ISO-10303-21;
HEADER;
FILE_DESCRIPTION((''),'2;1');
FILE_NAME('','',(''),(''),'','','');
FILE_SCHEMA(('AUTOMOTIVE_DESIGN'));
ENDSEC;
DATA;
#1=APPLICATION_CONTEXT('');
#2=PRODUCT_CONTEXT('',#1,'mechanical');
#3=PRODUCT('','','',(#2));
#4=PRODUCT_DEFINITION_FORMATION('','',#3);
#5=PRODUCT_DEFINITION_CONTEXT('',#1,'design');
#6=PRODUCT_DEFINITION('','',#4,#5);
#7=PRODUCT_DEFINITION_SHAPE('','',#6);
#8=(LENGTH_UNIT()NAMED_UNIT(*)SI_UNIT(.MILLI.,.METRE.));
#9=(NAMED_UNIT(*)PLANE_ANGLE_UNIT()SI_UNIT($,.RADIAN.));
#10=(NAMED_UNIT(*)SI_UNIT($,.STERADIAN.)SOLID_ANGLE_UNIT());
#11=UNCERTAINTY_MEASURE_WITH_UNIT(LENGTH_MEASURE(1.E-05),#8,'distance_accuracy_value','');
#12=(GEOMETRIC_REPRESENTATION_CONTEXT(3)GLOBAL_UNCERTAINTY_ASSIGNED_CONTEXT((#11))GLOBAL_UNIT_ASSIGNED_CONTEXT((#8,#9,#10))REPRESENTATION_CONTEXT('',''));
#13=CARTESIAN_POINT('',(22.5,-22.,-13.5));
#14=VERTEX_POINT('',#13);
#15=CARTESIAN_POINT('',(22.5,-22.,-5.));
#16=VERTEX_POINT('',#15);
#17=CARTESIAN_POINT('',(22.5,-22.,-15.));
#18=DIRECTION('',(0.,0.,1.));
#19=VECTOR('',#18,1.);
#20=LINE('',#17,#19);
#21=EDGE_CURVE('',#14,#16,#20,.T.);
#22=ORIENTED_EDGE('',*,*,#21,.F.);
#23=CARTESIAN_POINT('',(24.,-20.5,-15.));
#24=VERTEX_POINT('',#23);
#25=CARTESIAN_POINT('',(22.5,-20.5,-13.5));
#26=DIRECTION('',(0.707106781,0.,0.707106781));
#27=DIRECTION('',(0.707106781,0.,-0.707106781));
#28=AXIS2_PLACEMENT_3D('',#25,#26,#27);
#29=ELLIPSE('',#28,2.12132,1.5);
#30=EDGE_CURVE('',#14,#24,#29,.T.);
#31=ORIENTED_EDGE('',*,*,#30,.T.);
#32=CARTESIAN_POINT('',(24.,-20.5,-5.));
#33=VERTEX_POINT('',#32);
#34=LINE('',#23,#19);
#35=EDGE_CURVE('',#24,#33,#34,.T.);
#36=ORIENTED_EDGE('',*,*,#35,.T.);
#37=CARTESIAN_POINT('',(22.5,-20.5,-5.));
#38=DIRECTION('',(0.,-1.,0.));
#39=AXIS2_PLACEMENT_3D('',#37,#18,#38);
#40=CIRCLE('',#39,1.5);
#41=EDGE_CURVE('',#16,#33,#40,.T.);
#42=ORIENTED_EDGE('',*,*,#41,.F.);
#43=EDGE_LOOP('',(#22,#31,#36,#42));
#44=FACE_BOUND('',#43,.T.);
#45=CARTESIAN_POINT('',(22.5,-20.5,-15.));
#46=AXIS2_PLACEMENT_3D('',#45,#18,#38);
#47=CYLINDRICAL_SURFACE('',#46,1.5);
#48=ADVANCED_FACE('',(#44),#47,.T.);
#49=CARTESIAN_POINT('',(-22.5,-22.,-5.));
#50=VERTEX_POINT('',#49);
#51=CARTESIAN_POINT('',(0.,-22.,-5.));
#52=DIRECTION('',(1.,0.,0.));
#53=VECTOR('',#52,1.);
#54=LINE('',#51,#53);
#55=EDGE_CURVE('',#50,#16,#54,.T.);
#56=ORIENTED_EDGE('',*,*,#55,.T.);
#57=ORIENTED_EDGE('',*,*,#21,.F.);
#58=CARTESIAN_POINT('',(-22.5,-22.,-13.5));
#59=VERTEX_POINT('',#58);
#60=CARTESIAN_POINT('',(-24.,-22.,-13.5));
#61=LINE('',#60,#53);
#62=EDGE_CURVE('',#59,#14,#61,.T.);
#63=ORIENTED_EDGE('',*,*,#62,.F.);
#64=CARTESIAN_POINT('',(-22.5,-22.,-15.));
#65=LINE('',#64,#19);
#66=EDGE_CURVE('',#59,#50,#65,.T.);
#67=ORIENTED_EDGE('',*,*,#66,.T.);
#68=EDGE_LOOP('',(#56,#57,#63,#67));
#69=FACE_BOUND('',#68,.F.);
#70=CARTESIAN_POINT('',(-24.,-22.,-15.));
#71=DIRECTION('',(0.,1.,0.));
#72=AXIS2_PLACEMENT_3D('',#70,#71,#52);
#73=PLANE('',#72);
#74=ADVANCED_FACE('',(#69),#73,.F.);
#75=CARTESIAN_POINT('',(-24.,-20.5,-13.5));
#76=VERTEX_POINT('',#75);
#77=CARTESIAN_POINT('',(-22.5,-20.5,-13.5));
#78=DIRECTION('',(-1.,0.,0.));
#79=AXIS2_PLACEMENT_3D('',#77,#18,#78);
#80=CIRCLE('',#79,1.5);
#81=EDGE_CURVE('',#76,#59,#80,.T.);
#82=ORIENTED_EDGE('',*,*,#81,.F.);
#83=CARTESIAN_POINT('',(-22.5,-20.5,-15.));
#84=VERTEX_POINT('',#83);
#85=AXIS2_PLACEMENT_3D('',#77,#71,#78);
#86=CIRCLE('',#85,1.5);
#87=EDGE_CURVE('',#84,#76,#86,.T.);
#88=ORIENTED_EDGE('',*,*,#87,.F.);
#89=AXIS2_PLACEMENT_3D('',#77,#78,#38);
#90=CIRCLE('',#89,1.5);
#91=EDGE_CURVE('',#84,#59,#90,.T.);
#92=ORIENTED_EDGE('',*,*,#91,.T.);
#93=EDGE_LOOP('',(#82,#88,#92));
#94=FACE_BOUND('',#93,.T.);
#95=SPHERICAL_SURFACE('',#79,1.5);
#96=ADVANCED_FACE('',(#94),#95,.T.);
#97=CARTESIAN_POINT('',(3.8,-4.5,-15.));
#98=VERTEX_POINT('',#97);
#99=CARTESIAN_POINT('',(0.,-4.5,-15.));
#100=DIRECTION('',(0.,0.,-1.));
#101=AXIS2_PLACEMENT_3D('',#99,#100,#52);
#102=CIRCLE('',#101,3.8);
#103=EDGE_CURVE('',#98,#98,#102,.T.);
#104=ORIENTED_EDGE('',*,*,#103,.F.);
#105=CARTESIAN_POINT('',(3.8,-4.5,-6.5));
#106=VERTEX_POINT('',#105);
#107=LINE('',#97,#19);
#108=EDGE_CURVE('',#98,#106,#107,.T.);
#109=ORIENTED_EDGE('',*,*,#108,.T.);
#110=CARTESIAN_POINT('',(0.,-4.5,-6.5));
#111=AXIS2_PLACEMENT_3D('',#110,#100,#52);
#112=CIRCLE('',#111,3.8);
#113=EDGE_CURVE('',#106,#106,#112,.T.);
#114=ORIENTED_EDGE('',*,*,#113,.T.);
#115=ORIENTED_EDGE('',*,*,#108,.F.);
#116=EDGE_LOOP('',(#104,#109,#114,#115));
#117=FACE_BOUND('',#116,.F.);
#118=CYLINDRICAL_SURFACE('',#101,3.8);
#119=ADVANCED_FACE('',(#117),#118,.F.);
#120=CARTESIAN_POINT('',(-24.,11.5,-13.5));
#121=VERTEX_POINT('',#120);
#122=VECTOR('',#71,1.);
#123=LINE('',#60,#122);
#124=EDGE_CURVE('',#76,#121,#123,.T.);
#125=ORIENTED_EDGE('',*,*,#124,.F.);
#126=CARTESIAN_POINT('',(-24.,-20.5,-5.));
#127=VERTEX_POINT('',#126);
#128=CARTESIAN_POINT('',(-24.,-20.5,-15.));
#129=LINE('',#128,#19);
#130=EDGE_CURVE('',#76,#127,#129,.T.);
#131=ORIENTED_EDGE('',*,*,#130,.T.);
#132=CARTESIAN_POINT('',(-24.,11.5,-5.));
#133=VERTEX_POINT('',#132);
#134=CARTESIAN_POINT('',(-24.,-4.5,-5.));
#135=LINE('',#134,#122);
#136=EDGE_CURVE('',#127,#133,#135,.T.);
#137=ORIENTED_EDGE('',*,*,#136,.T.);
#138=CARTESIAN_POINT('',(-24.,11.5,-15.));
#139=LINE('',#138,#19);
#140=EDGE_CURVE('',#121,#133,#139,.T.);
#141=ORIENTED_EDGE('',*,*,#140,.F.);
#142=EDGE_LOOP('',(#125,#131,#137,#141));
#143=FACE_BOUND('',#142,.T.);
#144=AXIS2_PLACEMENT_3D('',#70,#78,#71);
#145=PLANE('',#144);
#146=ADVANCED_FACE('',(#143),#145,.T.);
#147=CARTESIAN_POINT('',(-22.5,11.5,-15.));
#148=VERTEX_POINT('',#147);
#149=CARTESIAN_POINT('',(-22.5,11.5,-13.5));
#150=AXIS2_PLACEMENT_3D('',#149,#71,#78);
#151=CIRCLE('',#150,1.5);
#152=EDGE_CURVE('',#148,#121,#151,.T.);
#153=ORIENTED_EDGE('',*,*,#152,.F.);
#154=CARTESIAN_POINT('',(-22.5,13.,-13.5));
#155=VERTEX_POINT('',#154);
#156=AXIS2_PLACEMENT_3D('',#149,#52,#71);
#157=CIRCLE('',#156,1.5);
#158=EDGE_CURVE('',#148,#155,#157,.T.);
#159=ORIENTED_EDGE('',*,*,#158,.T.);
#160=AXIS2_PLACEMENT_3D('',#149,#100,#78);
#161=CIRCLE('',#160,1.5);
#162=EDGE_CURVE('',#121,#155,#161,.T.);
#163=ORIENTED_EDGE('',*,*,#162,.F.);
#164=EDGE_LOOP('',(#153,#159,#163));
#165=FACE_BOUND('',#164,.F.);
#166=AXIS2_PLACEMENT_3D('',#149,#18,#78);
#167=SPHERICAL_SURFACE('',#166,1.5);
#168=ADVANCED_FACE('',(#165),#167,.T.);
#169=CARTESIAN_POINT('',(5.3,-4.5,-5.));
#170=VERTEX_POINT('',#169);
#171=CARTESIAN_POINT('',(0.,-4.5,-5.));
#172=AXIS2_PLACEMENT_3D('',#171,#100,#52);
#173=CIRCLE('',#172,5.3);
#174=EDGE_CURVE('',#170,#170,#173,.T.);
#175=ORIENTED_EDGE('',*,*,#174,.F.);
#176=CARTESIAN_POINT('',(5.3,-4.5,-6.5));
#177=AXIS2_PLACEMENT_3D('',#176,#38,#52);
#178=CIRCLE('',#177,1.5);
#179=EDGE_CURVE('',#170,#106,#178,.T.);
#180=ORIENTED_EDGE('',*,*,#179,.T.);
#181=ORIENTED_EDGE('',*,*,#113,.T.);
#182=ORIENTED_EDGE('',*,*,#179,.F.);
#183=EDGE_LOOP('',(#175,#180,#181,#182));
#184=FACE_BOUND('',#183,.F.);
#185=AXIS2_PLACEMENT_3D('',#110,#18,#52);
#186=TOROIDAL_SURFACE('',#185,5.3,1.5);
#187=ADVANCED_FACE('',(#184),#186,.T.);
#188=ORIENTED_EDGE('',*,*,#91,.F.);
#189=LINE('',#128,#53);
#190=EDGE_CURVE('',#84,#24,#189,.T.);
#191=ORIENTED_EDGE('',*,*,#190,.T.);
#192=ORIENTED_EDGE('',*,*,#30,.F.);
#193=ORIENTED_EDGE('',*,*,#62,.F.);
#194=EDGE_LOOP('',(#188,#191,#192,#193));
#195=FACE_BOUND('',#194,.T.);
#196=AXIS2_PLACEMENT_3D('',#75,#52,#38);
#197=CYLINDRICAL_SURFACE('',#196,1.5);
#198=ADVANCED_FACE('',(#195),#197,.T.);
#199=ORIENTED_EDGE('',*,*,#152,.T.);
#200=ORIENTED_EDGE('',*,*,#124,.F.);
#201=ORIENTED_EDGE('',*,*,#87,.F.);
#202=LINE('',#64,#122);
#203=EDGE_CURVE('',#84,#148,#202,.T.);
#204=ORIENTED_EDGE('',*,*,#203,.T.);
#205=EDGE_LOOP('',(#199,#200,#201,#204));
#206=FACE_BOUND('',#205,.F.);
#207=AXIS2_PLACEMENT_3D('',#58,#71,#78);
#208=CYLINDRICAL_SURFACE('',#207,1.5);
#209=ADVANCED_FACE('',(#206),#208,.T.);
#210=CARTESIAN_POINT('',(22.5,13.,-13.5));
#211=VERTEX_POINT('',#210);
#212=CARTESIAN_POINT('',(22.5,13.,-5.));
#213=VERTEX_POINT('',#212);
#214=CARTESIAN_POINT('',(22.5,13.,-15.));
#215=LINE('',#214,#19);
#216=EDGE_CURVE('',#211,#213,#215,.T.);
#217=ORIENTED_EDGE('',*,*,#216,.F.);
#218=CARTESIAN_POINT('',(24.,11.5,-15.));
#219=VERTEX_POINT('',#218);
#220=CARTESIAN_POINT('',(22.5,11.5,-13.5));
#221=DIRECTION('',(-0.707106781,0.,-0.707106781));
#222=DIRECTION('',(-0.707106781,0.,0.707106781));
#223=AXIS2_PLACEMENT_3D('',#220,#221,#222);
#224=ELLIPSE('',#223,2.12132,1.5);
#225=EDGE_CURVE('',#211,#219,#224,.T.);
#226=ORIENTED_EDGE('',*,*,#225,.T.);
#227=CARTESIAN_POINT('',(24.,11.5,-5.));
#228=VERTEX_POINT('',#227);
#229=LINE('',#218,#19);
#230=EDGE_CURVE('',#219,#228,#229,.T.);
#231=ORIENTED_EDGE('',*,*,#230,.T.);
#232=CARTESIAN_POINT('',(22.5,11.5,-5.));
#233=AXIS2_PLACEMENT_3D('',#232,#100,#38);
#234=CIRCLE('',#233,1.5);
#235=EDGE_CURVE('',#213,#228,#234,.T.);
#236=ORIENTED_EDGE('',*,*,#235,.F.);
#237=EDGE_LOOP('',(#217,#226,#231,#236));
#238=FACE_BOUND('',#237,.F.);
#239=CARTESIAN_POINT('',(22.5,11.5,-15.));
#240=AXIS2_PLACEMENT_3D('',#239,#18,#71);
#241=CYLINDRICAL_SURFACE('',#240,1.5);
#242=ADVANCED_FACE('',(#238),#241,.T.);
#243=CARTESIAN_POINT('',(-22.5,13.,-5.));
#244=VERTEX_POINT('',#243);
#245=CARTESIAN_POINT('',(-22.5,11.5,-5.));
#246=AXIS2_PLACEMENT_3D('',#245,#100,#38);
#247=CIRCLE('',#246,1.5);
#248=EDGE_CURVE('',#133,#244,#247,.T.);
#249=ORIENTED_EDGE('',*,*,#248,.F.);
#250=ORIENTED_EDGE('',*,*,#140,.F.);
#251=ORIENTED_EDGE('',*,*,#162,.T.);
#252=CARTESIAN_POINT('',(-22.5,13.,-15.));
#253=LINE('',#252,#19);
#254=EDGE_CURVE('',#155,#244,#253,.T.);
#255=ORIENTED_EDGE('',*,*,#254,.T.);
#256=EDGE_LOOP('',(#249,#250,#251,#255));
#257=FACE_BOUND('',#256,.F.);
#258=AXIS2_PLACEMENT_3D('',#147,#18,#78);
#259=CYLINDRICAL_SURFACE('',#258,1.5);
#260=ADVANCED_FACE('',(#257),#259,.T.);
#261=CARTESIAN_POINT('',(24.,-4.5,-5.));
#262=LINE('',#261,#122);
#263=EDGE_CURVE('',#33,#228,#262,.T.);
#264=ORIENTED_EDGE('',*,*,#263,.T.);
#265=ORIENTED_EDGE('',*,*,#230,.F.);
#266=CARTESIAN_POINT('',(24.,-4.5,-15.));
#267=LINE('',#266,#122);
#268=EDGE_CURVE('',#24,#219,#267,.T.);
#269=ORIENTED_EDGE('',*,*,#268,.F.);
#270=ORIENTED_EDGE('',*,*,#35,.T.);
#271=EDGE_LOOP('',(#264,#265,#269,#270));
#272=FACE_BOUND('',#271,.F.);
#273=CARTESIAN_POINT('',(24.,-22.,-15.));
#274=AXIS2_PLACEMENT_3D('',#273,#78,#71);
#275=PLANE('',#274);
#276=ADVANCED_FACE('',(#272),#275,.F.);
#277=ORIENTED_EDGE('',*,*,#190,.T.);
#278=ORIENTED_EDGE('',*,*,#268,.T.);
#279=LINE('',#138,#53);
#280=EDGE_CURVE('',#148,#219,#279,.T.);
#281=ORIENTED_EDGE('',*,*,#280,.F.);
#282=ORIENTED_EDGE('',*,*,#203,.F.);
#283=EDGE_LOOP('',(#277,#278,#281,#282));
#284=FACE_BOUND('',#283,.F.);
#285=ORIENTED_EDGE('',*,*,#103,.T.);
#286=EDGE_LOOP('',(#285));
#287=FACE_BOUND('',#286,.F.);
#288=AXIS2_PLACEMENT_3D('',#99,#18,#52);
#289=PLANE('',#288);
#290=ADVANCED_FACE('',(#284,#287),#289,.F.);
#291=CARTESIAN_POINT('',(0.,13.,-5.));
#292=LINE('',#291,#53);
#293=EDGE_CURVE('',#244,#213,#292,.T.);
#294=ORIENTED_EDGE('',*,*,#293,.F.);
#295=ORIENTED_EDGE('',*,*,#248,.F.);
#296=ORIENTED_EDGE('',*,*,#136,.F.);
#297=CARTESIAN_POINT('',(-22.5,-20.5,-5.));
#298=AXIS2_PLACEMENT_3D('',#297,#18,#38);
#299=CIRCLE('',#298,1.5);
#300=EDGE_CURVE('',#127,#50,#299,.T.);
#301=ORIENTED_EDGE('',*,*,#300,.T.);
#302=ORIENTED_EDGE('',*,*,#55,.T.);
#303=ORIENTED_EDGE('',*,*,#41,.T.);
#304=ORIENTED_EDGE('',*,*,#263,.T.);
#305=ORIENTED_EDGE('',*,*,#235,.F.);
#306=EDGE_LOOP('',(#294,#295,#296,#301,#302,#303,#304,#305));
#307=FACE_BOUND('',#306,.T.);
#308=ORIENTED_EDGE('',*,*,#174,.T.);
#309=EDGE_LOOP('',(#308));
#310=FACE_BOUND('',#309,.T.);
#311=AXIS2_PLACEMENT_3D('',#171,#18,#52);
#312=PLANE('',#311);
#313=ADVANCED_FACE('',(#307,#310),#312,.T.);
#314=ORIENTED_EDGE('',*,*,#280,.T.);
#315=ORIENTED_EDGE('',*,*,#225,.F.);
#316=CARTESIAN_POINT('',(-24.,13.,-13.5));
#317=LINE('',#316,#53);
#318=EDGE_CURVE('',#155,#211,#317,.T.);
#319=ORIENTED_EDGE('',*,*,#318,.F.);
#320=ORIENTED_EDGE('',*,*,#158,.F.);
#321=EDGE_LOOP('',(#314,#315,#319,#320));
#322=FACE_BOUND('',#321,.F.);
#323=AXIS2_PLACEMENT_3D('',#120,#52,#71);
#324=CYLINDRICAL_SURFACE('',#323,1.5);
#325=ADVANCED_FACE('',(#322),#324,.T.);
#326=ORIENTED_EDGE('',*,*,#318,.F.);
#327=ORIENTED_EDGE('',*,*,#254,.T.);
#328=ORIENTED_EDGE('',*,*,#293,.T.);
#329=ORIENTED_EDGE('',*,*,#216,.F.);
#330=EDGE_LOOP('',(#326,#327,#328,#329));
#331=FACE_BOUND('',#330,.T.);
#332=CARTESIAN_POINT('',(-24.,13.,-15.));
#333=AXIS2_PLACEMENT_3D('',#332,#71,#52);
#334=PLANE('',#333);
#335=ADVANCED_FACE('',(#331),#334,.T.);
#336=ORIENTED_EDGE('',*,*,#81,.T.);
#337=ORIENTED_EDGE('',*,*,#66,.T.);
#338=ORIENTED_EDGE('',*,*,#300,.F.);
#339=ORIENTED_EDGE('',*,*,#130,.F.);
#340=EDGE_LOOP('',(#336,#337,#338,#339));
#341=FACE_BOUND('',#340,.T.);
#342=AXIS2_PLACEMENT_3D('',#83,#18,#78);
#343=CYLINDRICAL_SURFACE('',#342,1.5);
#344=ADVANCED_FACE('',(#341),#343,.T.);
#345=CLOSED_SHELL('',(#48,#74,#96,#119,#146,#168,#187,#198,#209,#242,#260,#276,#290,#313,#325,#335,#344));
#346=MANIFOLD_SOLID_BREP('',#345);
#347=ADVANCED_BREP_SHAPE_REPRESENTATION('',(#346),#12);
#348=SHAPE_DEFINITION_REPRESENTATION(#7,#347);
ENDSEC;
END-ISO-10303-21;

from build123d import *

# Parameters (mm, degrees)
BOX006_W        = 48
BOX006_H        = 35
BOX006_DEPTH    = 10
SKETCH008_R     = 3.8
POCKET001_DEPTH = 10
FILLET_R        = 1.5


with BuildPart() as part:
    # Box006 → Box006 (new body)
    with BuildSketch(Plane(origin=(-24, -22, -15), x_dir=(1, 0, 0), z_dir=(0, 0, 1))):
        with Locations((24, 17.5)):
            Rectangle(BOX006_W, BOX006_H)
    extrude(amount=BOX006_DEPTH)

    # Sketch008 → Pocket001 (cut)
    with BuildSketch(Plane(origin=(-24, -22, -15), x_dir=(1, 0, 0), z_dir=(0, 0, -1))):
        with Locations((24, -17.5)):
            Circle(SKETCH008_R)
    extrude(amount=-POCKET001_DEPTH, mode=Mode.SUBTRACT)

    # Fillet
    fillet_edges = [part.edges().sort_by_distance(p)[0] for p in [
        (-24, 13, -10),
        (-24, -22, -10),
        (-24, -4.5, -15),
        (0, -22, -15),
        (-3.8, -4.5, -5),
        (24, 13, -10),
        (0, 13, -15),
        (24, -22, -10),
    ]]
    fillet(fillet_edges, radius=FILLET_R)


solid = part.part
